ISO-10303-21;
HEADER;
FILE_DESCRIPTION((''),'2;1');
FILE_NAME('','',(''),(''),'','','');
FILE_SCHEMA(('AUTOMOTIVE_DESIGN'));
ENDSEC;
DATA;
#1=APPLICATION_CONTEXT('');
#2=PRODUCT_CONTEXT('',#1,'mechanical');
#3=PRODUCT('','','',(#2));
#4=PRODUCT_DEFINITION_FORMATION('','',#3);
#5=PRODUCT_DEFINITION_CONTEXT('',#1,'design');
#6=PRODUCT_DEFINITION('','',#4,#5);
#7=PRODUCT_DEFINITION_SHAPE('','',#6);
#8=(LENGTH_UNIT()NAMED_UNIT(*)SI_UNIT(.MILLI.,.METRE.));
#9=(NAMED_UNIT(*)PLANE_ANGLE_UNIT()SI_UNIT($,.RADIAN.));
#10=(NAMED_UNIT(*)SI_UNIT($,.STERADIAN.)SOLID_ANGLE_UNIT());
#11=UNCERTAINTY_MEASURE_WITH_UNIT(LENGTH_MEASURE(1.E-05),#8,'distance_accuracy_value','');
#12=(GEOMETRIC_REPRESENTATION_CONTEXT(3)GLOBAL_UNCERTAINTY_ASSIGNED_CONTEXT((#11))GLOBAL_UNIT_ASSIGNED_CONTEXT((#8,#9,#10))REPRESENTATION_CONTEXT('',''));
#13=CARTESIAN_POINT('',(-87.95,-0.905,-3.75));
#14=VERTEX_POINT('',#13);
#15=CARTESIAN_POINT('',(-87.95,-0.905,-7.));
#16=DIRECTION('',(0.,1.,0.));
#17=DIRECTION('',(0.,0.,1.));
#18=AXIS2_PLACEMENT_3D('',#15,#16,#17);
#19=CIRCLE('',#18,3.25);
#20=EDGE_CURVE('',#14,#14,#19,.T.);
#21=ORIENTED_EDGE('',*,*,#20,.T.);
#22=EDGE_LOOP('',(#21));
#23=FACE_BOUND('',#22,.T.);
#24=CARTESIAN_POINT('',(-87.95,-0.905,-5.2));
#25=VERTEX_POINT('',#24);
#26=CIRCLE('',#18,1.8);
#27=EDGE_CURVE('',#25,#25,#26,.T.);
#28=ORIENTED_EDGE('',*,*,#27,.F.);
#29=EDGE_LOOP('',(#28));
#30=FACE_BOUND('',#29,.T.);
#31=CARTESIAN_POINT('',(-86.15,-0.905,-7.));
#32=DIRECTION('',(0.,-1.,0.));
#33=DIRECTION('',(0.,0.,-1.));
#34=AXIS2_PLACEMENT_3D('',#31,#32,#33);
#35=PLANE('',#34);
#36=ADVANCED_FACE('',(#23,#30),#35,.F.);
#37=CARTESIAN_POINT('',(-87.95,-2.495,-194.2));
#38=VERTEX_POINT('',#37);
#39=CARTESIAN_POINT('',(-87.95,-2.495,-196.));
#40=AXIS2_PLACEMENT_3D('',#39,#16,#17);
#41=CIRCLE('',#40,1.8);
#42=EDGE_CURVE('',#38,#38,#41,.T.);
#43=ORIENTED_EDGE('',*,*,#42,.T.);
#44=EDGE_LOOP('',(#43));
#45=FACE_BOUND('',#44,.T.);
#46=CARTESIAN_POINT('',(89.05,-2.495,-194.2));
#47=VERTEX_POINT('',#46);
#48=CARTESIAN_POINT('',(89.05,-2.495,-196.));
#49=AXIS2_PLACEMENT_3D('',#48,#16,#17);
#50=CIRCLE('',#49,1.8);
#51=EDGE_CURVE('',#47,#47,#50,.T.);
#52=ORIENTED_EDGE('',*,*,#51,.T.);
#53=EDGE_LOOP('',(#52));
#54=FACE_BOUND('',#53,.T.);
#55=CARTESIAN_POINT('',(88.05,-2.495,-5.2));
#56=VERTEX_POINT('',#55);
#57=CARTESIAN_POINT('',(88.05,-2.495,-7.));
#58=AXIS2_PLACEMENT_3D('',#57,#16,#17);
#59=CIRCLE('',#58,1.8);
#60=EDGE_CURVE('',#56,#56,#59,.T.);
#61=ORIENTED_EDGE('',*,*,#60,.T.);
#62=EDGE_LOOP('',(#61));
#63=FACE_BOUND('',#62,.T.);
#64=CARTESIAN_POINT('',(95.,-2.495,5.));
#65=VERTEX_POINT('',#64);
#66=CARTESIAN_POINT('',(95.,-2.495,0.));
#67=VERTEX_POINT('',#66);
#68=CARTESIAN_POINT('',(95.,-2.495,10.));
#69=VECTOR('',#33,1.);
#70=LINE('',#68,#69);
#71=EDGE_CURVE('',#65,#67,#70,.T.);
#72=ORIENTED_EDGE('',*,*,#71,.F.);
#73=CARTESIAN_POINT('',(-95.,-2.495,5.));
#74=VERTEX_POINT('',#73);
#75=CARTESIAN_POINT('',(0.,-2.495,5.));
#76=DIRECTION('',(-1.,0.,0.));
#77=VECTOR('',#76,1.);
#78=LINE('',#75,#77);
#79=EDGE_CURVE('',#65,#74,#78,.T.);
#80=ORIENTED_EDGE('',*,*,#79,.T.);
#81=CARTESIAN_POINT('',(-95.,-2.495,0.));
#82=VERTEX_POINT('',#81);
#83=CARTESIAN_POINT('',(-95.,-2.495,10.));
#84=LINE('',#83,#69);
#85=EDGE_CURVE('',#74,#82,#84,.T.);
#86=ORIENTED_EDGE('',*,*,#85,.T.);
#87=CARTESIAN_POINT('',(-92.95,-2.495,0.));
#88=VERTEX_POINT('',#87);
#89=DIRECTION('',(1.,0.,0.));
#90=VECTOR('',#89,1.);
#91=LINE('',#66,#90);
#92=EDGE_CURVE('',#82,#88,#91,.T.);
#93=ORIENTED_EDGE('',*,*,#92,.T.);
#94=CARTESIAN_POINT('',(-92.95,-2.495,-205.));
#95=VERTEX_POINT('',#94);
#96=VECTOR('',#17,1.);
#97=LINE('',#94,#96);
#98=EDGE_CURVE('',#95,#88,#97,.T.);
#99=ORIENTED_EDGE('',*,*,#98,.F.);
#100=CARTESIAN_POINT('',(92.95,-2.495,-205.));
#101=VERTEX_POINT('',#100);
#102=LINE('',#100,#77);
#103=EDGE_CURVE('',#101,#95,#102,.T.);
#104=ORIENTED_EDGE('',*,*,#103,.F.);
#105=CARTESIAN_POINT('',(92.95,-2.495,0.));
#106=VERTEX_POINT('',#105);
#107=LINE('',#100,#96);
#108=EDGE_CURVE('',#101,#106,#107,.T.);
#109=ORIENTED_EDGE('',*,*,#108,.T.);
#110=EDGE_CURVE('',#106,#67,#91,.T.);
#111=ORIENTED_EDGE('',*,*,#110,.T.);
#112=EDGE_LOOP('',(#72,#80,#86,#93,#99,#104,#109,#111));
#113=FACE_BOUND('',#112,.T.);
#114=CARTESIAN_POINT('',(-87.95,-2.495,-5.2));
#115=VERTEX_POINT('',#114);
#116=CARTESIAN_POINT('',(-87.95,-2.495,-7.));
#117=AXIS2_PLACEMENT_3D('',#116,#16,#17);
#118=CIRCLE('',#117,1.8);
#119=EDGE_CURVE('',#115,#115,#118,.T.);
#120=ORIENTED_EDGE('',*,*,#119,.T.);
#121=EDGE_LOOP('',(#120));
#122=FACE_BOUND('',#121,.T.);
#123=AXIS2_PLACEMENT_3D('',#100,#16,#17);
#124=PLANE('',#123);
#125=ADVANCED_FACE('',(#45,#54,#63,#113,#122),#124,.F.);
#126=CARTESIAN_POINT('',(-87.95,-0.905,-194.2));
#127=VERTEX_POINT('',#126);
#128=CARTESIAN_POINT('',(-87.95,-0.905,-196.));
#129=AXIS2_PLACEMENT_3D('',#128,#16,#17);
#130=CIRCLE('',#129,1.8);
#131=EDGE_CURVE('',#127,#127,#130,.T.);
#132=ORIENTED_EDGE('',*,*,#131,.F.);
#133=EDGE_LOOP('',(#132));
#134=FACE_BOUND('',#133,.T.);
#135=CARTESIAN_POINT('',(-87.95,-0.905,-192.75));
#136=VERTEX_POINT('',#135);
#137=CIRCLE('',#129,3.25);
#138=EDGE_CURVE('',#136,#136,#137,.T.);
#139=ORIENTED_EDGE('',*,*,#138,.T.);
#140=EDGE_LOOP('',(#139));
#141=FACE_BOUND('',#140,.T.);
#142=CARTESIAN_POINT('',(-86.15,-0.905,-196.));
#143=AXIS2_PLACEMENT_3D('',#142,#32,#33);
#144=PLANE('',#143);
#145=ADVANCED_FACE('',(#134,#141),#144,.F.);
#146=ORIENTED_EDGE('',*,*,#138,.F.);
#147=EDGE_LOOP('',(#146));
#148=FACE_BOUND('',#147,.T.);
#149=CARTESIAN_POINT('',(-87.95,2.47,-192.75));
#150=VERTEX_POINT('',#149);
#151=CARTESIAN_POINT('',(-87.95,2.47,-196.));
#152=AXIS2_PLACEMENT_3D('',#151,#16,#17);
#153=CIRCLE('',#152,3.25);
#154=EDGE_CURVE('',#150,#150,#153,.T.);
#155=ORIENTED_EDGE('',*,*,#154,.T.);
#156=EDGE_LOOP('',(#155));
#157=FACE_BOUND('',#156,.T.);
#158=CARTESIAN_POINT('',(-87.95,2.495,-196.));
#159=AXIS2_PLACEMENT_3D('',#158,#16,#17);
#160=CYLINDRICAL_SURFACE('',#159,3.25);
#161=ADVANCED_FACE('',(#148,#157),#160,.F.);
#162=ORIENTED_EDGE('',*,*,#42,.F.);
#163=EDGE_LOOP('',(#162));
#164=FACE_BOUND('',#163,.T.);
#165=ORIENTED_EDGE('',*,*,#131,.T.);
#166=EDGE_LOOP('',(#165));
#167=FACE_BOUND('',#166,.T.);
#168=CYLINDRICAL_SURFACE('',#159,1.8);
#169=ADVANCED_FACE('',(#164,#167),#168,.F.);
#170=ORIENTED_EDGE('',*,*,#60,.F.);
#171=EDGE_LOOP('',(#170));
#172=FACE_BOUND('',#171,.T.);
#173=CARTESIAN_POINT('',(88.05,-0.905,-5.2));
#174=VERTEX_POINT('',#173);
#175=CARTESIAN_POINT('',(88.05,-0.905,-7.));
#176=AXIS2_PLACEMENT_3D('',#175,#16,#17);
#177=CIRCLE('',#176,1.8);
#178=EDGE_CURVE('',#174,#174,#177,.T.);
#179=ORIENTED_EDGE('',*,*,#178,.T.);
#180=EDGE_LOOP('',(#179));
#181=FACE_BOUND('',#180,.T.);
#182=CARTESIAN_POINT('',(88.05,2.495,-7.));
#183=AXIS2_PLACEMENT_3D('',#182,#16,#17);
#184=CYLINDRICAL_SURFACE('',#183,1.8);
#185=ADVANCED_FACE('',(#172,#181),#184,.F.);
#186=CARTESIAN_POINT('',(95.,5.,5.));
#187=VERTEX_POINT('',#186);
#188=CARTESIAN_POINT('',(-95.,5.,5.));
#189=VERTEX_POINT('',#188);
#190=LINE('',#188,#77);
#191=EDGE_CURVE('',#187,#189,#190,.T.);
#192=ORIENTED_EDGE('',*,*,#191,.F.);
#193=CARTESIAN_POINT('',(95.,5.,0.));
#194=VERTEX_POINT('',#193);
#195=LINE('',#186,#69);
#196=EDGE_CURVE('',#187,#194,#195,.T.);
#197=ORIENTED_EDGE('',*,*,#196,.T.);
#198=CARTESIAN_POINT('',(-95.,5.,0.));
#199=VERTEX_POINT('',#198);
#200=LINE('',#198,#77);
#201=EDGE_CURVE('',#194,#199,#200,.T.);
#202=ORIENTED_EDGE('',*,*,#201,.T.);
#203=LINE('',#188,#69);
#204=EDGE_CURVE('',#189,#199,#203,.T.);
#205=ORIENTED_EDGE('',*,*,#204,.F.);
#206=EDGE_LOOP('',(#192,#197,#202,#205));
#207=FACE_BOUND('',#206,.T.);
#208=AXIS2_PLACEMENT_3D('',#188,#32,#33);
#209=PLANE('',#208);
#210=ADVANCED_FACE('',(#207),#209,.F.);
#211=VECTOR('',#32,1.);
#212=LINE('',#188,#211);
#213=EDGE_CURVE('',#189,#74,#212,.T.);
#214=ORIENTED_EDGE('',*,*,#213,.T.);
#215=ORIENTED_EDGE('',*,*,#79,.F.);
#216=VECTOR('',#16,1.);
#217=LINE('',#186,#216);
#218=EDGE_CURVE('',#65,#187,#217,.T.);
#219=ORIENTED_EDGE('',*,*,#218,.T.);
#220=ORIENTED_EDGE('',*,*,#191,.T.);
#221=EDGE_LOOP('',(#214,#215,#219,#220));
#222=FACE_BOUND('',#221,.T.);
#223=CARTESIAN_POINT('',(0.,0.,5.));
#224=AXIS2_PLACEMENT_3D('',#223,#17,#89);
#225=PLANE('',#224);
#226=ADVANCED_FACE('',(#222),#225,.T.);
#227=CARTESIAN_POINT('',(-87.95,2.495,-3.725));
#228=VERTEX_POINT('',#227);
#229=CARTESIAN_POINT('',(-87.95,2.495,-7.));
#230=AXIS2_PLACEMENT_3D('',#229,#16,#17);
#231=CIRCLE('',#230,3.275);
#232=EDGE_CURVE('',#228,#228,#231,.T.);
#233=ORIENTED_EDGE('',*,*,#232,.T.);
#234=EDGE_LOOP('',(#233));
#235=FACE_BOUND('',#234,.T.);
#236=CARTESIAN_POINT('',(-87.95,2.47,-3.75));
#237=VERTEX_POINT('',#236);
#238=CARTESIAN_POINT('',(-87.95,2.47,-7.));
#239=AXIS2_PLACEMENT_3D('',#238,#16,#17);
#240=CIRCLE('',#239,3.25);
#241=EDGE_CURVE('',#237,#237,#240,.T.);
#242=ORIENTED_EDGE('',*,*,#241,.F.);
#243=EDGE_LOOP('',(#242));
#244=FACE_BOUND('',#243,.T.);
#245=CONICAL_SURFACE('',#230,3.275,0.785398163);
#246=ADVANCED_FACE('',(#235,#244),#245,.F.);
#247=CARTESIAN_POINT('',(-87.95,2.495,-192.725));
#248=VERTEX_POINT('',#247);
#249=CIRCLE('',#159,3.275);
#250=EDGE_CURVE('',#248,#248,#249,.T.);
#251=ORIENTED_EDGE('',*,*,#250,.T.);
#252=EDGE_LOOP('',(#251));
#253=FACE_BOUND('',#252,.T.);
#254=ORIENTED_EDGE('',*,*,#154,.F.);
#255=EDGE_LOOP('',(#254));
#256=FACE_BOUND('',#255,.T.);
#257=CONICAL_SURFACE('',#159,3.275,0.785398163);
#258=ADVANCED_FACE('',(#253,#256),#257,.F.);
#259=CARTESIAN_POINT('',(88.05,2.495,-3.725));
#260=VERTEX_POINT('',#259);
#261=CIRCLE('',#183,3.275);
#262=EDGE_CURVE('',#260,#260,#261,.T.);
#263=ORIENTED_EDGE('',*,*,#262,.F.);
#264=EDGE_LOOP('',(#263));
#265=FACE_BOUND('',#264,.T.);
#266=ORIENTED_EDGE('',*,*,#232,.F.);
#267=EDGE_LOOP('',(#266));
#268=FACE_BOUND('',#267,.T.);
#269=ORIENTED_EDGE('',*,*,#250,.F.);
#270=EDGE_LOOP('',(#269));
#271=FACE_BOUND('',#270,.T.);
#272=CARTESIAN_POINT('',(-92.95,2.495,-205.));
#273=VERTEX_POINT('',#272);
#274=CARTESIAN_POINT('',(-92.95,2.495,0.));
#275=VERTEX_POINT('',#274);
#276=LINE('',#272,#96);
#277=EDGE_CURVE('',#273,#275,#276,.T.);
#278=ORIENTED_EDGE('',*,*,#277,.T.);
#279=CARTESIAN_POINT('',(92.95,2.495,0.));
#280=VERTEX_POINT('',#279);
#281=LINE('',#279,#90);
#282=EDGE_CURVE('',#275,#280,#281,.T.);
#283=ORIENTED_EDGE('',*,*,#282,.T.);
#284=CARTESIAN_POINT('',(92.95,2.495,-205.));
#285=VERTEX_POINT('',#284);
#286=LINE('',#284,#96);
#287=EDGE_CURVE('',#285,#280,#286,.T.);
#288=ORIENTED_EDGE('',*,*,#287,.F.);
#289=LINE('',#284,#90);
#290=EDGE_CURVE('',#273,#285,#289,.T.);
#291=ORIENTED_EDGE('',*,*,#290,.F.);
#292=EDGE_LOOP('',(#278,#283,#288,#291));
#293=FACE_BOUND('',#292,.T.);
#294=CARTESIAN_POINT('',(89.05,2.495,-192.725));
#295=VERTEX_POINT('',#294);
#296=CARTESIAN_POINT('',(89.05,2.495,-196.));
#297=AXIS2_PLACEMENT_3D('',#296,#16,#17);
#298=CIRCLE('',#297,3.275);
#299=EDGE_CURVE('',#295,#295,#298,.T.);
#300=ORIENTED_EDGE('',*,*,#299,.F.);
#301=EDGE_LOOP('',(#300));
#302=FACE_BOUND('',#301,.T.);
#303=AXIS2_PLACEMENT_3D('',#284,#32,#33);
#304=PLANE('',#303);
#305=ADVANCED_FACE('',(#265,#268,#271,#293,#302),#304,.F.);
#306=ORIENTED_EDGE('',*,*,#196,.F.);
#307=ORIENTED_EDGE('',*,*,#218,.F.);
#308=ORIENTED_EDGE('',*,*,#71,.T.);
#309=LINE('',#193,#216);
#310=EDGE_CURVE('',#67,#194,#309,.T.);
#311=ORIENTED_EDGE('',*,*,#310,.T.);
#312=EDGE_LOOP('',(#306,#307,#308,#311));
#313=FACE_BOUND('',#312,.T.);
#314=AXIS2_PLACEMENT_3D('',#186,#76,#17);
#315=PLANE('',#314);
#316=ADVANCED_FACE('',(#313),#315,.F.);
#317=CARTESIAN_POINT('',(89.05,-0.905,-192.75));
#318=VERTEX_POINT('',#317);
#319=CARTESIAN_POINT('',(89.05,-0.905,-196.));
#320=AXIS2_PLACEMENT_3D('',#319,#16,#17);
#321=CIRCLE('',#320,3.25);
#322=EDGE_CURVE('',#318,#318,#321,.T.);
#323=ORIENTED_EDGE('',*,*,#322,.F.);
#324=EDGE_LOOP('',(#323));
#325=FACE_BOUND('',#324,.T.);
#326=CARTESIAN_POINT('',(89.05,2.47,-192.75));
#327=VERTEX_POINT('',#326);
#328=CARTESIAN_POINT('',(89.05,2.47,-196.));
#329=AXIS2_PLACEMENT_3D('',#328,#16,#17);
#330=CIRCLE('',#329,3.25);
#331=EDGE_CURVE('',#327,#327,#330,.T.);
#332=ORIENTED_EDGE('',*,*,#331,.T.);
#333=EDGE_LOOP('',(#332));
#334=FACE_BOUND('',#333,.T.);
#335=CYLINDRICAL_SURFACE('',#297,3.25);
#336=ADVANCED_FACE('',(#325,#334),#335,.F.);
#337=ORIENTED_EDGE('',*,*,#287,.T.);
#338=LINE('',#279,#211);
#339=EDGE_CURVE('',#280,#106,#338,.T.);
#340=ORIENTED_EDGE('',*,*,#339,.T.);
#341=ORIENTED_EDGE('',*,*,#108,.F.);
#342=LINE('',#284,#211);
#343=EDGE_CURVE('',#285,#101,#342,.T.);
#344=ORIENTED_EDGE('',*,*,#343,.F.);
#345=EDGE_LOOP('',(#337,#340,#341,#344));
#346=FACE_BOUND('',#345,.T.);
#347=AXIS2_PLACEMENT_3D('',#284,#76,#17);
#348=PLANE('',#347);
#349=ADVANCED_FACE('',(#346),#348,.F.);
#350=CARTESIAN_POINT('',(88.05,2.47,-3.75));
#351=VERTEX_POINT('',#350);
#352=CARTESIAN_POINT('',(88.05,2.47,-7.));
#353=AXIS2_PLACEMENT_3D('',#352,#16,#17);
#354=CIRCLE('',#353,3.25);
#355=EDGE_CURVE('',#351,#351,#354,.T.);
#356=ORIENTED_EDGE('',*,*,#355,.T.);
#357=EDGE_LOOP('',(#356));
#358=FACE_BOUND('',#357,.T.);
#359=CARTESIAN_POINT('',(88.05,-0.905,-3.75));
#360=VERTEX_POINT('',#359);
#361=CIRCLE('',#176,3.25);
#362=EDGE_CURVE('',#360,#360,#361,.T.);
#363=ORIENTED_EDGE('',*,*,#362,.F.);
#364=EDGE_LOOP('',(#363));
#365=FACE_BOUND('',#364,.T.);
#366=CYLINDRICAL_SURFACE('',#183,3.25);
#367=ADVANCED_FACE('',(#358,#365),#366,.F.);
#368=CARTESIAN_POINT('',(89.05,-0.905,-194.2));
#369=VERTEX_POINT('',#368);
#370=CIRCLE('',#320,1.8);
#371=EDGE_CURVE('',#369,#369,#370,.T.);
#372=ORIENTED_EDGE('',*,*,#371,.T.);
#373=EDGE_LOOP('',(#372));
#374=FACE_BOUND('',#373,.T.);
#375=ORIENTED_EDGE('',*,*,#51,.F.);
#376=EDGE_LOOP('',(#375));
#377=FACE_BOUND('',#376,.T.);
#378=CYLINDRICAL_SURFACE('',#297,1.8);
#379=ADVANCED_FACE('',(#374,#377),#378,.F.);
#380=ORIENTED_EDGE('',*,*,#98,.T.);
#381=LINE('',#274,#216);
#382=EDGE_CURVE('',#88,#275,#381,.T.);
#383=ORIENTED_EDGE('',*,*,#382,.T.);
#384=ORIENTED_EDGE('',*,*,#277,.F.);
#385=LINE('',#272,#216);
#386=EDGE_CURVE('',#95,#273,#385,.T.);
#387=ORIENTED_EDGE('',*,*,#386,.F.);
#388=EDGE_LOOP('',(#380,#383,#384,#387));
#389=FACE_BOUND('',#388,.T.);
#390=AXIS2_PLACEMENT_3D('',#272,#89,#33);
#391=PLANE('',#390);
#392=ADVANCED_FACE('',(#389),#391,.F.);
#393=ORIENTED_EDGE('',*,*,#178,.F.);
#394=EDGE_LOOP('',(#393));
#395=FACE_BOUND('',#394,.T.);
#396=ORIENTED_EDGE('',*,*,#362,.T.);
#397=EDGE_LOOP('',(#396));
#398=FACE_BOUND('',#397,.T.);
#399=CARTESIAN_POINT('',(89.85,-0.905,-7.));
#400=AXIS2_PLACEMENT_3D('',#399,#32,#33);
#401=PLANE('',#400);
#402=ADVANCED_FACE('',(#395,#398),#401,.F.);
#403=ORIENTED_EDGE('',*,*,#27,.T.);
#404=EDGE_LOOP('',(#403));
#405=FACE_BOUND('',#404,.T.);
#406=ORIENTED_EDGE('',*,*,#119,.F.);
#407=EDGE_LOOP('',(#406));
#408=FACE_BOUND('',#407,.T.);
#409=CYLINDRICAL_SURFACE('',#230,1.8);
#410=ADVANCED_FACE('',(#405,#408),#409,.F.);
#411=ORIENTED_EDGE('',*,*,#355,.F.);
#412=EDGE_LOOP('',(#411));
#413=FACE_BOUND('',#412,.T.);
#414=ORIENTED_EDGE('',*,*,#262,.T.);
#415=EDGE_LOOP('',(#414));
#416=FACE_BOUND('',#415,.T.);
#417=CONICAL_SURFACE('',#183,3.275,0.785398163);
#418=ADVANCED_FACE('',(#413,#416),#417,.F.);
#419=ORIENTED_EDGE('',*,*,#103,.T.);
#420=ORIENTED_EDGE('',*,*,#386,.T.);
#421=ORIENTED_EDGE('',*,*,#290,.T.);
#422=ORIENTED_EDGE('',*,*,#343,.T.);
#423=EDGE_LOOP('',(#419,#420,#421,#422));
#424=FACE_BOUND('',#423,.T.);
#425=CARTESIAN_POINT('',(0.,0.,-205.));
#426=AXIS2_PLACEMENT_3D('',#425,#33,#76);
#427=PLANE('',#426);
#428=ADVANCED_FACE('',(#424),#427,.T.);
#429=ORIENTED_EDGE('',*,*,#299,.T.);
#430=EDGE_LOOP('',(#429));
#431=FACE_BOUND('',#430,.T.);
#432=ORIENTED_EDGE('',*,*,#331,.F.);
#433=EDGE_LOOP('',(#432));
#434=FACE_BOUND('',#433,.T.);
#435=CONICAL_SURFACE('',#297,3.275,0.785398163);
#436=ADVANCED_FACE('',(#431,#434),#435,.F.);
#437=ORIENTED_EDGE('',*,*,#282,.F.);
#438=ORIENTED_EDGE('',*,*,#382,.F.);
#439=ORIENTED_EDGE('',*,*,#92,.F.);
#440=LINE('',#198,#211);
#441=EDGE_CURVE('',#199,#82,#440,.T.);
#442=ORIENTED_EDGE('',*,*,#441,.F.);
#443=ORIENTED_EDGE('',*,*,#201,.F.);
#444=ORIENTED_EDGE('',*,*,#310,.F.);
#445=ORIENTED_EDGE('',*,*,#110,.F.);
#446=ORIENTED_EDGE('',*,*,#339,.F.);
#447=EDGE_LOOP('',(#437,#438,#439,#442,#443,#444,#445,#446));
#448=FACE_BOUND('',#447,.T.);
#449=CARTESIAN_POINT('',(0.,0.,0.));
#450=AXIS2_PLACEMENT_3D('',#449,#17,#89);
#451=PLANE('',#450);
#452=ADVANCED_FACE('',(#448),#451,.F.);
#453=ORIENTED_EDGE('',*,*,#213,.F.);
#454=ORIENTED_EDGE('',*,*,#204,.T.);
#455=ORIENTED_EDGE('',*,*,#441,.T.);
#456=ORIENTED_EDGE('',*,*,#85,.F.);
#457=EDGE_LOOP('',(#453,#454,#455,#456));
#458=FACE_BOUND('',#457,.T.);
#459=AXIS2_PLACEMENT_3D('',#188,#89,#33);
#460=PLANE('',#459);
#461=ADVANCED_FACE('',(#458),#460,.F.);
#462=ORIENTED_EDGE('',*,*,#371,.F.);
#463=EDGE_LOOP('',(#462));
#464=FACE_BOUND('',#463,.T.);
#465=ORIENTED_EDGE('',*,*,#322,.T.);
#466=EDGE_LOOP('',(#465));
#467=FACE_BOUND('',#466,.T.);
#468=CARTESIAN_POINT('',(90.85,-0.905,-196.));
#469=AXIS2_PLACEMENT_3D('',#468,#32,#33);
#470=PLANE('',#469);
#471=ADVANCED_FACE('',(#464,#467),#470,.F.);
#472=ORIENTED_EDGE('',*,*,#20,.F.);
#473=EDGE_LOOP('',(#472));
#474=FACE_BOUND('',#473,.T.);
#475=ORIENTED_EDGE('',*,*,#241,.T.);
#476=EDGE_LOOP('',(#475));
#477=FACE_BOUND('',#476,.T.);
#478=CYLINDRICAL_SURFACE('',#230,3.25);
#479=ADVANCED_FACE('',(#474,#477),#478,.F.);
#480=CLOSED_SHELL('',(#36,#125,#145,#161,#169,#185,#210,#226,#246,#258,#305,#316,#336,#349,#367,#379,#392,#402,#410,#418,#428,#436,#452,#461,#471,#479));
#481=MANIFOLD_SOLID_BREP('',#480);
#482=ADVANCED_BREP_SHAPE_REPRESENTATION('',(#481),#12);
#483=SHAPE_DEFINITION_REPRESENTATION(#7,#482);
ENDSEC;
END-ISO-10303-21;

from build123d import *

# Parameters (mm, degrees)
SKETCH1_W                                      = 190
SKETCH1_H                                      = 10
BOSS_EXTRUDE1_DEPTH                            = 5
SKETCH2_W                                      = 185.9
SKETCH2_H                                      = 4.99
BOSS_EXTRUDE2_DEPTH                            = 205
CBORE_FOR_M3_SOCKET_HEAD_CAP_SCREW1_AT_2_COUNT = 2
CBORE_FOR_M3_SOCKET_HEAD_CAP_SCREW1_AT_2_PITCH = 176
CBORE_FOR_M3_SOCKET_HEAD_CAP_SCREW1_AT_3_COUNT = 2
CBORE_FOR_M3_SOCKET_HEAD_CAP_SCREW1_AT_3_PITCH = 258.940147524
CBORE_FOR_M3_SOCKET_HEAD_CAP_SCREW1_AT_4_COUNT = 2
CBORE_FOR_M3_SOCKET_HEAD_CAP_SCREW1_AT_4_PITCH = 189
SKETCH6_W                                      = 190
SKETCH6_H                                      = 22.149014811
CUT_EXTRUDE1_DEPTH                             = 10


with BuildPart() as part:
    # Sketch1 → Boss-Extrude1 (new body)
    with BuildSketch(Plane.XY):
        Rectangle(SKETCH1_W, SKETCH1_H)
    extrude(amount=BOSS_EXTRUDE1_DEPTH)

    # Sketch2 → Boss-Extrude2 (add)
    with BuildSketch(Plane(origin=(0, 0, 0), x_dir=(-1, 0, 0), z_dir=(0, 0, -1))):
        Rectangle(SKETCH2_W, SKETCH2_H)
    extrude(amount=BOSS_EXTRUDE2_DEPTH)

    # Sketch5 → CBORE for M3 Socket Head Cap Screw1 (revolve, cut)
    with BuildSketch(Plane(origin=(-87.95, 2.495, -7), x_dir=(0, 0, 1), z_dir=(1, 0, 0))):
        Polygon((0, 0), (0, 21.081549114), (1.8, 20), (1.8, 3.4), (3.25, 3.4), (3.25, 0.025), (3.275, 0), align=None)
    cbore_for_m3_socket_head_cap_screw1 = revolve(axis=Axis((-87.95, 8.845, -7), (0, -1, 0)), mode=Mode.SUBTRACT)

    # CBORE for M3 Socket Head Cap Screw1 at 2: CBORE for M3 Socket Head Cap Screw1 ×2
    with Locations(*[(i * CBORE_FOR_M3_SOCKET_HEAD_CAP_SCREW1_AT_2_PITCH, 0, 0) for i in range(1, CBORE_FOR_M3_SOCKET_HEAD_CAP_SCREW1_AT_2_COUNT)]):
        add(cbore_for_m3_socket_head_cap_screw1, mode=Mode.SUBTRACT)

    # CBORE for M3 Socket Head Cap Screw1 at 3: CBORE for M3 Socket Head Cap Screw1 ×2
    with Locations(*[Vector(0.683555647, 0, -0.729898402) * (i * CBORE_FOR_M3_SOCKET_HEAD_CAP_SCREW1_AT_3_PITCH) for i in range(1, CBORE_FOR_M3_SOCKET_HEAD_CAP_SCREW1_AT_3_COUNT)]):
        add(cbore_for_m3_socket_head_cap_screw1, mode=Mode.SUBTRACT)

    # CBORE for M3 Socket Head Cap Screw1 at 4: CBORE for M3 Socket Head Cap Screw1 ×2
    with Locations(*[(0, 0, -i * CBORE_FOR_M3_SOCKET_HEAD_CAP_SCREW1_AT_4_PITCH) for i in range(1, CBORE_FOR_M3_SOCKET_HEAD_CAP_SCREW1_AT_4_COUNT)]):
        add(cbore_for_m3_socket_head_cap_screw1, mode=Mode.SUBTRACT)

    # Sketch6 → Cut-Extrude1 (cut)
    with BuildSketch(Plane(origin=(0, 0, 0), x_dir=(-1, 0, 0), z_dir=(0, 0, -1))):
        with Locations((0, -13.569507406)):
            Rectangle(SKETCH6_W, SKETCH6_H)
    extrude(amount=-CUT_EXTRUDE1_DEPTH, mode=Mode.SUBTRACT)


solid = part.part
